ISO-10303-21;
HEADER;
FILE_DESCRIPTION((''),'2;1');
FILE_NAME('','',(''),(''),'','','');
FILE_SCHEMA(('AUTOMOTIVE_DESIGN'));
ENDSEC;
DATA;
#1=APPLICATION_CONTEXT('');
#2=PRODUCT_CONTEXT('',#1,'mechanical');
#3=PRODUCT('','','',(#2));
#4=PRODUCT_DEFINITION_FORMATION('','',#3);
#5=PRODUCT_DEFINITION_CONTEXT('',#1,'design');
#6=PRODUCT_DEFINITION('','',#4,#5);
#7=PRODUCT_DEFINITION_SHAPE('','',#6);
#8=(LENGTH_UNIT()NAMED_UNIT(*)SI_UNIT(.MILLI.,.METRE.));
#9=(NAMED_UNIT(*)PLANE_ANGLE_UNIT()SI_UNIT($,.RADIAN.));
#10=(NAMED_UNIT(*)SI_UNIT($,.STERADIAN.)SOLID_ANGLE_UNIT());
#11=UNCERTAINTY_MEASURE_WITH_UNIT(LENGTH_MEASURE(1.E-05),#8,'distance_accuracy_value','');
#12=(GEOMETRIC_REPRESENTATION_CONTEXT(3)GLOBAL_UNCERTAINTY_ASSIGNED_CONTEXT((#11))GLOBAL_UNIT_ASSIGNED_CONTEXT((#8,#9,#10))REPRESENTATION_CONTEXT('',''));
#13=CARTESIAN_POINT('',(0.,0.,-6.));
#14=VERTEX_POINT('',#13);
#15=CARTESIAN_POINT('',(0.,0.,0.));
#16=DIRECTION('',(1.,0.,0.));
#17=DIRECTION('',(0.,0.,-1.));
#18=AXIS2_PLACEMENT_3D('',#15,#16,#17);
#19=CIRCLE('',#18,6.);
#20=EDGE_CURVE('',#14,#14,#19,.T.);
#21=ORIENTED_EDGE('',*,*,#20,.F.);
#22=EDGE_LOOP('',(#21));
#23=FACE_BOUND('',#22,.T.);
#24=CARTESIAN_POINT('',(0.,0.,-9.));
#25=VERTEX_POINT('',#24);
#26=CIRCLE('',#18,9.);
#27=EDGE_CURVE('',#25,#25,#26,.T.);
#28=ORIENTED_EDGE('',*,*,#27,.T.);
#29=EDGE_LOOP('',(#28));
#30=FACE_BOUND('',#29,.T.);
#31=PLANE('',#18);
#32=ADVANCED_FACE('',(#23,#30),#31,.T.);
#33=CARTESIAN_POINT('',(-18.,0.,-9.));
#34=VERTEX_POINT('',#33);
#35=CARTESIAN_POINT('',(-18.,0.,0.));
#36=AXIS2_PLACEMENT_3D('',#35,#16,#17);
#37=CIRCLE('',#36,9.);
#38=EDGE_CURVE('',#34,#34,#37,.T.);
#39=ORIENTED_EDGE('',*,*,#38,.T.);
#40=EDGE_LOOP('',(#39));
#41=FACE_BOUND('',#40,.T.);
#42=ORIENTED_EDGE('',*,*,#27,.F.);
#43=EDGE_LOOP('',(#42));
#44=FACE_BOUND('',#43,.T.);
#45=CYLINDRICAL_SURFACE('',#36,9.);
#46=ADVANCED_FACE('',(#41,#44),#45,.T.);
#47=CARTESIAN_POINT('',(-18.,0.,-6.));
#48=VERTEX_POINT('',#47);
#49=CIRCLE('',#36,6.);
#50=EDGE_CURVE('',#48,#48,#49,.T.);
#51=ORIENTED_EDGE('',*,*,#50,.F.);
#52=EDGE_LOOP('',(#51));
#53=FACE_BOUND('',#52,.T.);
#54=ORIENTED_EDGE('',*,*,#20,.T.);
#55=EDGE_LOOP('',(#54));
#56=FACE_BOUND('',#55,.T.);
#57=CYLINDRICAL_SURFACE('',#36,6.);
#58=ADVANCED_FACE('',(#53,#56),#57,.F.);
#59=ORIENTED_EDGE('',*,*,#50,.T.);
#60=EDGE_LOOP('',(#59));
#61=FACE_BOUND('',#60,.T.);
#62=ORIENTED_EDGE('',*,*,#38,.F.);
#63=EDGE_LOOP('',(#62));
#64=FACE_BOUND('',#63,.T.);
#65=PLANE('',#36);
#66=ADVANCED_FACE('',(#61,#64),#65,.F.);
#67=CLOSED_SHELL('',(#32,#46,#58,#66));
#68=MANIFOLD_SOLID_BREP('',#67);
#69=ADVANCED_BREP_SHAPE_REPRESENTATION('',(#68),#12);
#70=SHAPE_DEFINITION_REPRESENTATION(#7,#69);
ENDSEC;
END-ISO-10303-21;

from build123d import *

# Parameters (mm, degrees)
SKETCH_1_R      = 9
SKETCH_1_R_2    = 6
EXTRUDE_1_DEPTH = 18


with BuildPart() as part:
    # 草图1 → 凸台-拉伸1 (new body)
    with BuildSketch(Plane(origin=(0, 0, 0), x_dir=(0, 0, -1), z_dir=(1, 0, 0))):
        Circle(SKETCH_1_R)
        Circle(SKETCH_1_R_2, mode=Mode.SUBTRACT)
    extrude(amount=-EXTRUDE_1_DEPTH)


solid = part.part
